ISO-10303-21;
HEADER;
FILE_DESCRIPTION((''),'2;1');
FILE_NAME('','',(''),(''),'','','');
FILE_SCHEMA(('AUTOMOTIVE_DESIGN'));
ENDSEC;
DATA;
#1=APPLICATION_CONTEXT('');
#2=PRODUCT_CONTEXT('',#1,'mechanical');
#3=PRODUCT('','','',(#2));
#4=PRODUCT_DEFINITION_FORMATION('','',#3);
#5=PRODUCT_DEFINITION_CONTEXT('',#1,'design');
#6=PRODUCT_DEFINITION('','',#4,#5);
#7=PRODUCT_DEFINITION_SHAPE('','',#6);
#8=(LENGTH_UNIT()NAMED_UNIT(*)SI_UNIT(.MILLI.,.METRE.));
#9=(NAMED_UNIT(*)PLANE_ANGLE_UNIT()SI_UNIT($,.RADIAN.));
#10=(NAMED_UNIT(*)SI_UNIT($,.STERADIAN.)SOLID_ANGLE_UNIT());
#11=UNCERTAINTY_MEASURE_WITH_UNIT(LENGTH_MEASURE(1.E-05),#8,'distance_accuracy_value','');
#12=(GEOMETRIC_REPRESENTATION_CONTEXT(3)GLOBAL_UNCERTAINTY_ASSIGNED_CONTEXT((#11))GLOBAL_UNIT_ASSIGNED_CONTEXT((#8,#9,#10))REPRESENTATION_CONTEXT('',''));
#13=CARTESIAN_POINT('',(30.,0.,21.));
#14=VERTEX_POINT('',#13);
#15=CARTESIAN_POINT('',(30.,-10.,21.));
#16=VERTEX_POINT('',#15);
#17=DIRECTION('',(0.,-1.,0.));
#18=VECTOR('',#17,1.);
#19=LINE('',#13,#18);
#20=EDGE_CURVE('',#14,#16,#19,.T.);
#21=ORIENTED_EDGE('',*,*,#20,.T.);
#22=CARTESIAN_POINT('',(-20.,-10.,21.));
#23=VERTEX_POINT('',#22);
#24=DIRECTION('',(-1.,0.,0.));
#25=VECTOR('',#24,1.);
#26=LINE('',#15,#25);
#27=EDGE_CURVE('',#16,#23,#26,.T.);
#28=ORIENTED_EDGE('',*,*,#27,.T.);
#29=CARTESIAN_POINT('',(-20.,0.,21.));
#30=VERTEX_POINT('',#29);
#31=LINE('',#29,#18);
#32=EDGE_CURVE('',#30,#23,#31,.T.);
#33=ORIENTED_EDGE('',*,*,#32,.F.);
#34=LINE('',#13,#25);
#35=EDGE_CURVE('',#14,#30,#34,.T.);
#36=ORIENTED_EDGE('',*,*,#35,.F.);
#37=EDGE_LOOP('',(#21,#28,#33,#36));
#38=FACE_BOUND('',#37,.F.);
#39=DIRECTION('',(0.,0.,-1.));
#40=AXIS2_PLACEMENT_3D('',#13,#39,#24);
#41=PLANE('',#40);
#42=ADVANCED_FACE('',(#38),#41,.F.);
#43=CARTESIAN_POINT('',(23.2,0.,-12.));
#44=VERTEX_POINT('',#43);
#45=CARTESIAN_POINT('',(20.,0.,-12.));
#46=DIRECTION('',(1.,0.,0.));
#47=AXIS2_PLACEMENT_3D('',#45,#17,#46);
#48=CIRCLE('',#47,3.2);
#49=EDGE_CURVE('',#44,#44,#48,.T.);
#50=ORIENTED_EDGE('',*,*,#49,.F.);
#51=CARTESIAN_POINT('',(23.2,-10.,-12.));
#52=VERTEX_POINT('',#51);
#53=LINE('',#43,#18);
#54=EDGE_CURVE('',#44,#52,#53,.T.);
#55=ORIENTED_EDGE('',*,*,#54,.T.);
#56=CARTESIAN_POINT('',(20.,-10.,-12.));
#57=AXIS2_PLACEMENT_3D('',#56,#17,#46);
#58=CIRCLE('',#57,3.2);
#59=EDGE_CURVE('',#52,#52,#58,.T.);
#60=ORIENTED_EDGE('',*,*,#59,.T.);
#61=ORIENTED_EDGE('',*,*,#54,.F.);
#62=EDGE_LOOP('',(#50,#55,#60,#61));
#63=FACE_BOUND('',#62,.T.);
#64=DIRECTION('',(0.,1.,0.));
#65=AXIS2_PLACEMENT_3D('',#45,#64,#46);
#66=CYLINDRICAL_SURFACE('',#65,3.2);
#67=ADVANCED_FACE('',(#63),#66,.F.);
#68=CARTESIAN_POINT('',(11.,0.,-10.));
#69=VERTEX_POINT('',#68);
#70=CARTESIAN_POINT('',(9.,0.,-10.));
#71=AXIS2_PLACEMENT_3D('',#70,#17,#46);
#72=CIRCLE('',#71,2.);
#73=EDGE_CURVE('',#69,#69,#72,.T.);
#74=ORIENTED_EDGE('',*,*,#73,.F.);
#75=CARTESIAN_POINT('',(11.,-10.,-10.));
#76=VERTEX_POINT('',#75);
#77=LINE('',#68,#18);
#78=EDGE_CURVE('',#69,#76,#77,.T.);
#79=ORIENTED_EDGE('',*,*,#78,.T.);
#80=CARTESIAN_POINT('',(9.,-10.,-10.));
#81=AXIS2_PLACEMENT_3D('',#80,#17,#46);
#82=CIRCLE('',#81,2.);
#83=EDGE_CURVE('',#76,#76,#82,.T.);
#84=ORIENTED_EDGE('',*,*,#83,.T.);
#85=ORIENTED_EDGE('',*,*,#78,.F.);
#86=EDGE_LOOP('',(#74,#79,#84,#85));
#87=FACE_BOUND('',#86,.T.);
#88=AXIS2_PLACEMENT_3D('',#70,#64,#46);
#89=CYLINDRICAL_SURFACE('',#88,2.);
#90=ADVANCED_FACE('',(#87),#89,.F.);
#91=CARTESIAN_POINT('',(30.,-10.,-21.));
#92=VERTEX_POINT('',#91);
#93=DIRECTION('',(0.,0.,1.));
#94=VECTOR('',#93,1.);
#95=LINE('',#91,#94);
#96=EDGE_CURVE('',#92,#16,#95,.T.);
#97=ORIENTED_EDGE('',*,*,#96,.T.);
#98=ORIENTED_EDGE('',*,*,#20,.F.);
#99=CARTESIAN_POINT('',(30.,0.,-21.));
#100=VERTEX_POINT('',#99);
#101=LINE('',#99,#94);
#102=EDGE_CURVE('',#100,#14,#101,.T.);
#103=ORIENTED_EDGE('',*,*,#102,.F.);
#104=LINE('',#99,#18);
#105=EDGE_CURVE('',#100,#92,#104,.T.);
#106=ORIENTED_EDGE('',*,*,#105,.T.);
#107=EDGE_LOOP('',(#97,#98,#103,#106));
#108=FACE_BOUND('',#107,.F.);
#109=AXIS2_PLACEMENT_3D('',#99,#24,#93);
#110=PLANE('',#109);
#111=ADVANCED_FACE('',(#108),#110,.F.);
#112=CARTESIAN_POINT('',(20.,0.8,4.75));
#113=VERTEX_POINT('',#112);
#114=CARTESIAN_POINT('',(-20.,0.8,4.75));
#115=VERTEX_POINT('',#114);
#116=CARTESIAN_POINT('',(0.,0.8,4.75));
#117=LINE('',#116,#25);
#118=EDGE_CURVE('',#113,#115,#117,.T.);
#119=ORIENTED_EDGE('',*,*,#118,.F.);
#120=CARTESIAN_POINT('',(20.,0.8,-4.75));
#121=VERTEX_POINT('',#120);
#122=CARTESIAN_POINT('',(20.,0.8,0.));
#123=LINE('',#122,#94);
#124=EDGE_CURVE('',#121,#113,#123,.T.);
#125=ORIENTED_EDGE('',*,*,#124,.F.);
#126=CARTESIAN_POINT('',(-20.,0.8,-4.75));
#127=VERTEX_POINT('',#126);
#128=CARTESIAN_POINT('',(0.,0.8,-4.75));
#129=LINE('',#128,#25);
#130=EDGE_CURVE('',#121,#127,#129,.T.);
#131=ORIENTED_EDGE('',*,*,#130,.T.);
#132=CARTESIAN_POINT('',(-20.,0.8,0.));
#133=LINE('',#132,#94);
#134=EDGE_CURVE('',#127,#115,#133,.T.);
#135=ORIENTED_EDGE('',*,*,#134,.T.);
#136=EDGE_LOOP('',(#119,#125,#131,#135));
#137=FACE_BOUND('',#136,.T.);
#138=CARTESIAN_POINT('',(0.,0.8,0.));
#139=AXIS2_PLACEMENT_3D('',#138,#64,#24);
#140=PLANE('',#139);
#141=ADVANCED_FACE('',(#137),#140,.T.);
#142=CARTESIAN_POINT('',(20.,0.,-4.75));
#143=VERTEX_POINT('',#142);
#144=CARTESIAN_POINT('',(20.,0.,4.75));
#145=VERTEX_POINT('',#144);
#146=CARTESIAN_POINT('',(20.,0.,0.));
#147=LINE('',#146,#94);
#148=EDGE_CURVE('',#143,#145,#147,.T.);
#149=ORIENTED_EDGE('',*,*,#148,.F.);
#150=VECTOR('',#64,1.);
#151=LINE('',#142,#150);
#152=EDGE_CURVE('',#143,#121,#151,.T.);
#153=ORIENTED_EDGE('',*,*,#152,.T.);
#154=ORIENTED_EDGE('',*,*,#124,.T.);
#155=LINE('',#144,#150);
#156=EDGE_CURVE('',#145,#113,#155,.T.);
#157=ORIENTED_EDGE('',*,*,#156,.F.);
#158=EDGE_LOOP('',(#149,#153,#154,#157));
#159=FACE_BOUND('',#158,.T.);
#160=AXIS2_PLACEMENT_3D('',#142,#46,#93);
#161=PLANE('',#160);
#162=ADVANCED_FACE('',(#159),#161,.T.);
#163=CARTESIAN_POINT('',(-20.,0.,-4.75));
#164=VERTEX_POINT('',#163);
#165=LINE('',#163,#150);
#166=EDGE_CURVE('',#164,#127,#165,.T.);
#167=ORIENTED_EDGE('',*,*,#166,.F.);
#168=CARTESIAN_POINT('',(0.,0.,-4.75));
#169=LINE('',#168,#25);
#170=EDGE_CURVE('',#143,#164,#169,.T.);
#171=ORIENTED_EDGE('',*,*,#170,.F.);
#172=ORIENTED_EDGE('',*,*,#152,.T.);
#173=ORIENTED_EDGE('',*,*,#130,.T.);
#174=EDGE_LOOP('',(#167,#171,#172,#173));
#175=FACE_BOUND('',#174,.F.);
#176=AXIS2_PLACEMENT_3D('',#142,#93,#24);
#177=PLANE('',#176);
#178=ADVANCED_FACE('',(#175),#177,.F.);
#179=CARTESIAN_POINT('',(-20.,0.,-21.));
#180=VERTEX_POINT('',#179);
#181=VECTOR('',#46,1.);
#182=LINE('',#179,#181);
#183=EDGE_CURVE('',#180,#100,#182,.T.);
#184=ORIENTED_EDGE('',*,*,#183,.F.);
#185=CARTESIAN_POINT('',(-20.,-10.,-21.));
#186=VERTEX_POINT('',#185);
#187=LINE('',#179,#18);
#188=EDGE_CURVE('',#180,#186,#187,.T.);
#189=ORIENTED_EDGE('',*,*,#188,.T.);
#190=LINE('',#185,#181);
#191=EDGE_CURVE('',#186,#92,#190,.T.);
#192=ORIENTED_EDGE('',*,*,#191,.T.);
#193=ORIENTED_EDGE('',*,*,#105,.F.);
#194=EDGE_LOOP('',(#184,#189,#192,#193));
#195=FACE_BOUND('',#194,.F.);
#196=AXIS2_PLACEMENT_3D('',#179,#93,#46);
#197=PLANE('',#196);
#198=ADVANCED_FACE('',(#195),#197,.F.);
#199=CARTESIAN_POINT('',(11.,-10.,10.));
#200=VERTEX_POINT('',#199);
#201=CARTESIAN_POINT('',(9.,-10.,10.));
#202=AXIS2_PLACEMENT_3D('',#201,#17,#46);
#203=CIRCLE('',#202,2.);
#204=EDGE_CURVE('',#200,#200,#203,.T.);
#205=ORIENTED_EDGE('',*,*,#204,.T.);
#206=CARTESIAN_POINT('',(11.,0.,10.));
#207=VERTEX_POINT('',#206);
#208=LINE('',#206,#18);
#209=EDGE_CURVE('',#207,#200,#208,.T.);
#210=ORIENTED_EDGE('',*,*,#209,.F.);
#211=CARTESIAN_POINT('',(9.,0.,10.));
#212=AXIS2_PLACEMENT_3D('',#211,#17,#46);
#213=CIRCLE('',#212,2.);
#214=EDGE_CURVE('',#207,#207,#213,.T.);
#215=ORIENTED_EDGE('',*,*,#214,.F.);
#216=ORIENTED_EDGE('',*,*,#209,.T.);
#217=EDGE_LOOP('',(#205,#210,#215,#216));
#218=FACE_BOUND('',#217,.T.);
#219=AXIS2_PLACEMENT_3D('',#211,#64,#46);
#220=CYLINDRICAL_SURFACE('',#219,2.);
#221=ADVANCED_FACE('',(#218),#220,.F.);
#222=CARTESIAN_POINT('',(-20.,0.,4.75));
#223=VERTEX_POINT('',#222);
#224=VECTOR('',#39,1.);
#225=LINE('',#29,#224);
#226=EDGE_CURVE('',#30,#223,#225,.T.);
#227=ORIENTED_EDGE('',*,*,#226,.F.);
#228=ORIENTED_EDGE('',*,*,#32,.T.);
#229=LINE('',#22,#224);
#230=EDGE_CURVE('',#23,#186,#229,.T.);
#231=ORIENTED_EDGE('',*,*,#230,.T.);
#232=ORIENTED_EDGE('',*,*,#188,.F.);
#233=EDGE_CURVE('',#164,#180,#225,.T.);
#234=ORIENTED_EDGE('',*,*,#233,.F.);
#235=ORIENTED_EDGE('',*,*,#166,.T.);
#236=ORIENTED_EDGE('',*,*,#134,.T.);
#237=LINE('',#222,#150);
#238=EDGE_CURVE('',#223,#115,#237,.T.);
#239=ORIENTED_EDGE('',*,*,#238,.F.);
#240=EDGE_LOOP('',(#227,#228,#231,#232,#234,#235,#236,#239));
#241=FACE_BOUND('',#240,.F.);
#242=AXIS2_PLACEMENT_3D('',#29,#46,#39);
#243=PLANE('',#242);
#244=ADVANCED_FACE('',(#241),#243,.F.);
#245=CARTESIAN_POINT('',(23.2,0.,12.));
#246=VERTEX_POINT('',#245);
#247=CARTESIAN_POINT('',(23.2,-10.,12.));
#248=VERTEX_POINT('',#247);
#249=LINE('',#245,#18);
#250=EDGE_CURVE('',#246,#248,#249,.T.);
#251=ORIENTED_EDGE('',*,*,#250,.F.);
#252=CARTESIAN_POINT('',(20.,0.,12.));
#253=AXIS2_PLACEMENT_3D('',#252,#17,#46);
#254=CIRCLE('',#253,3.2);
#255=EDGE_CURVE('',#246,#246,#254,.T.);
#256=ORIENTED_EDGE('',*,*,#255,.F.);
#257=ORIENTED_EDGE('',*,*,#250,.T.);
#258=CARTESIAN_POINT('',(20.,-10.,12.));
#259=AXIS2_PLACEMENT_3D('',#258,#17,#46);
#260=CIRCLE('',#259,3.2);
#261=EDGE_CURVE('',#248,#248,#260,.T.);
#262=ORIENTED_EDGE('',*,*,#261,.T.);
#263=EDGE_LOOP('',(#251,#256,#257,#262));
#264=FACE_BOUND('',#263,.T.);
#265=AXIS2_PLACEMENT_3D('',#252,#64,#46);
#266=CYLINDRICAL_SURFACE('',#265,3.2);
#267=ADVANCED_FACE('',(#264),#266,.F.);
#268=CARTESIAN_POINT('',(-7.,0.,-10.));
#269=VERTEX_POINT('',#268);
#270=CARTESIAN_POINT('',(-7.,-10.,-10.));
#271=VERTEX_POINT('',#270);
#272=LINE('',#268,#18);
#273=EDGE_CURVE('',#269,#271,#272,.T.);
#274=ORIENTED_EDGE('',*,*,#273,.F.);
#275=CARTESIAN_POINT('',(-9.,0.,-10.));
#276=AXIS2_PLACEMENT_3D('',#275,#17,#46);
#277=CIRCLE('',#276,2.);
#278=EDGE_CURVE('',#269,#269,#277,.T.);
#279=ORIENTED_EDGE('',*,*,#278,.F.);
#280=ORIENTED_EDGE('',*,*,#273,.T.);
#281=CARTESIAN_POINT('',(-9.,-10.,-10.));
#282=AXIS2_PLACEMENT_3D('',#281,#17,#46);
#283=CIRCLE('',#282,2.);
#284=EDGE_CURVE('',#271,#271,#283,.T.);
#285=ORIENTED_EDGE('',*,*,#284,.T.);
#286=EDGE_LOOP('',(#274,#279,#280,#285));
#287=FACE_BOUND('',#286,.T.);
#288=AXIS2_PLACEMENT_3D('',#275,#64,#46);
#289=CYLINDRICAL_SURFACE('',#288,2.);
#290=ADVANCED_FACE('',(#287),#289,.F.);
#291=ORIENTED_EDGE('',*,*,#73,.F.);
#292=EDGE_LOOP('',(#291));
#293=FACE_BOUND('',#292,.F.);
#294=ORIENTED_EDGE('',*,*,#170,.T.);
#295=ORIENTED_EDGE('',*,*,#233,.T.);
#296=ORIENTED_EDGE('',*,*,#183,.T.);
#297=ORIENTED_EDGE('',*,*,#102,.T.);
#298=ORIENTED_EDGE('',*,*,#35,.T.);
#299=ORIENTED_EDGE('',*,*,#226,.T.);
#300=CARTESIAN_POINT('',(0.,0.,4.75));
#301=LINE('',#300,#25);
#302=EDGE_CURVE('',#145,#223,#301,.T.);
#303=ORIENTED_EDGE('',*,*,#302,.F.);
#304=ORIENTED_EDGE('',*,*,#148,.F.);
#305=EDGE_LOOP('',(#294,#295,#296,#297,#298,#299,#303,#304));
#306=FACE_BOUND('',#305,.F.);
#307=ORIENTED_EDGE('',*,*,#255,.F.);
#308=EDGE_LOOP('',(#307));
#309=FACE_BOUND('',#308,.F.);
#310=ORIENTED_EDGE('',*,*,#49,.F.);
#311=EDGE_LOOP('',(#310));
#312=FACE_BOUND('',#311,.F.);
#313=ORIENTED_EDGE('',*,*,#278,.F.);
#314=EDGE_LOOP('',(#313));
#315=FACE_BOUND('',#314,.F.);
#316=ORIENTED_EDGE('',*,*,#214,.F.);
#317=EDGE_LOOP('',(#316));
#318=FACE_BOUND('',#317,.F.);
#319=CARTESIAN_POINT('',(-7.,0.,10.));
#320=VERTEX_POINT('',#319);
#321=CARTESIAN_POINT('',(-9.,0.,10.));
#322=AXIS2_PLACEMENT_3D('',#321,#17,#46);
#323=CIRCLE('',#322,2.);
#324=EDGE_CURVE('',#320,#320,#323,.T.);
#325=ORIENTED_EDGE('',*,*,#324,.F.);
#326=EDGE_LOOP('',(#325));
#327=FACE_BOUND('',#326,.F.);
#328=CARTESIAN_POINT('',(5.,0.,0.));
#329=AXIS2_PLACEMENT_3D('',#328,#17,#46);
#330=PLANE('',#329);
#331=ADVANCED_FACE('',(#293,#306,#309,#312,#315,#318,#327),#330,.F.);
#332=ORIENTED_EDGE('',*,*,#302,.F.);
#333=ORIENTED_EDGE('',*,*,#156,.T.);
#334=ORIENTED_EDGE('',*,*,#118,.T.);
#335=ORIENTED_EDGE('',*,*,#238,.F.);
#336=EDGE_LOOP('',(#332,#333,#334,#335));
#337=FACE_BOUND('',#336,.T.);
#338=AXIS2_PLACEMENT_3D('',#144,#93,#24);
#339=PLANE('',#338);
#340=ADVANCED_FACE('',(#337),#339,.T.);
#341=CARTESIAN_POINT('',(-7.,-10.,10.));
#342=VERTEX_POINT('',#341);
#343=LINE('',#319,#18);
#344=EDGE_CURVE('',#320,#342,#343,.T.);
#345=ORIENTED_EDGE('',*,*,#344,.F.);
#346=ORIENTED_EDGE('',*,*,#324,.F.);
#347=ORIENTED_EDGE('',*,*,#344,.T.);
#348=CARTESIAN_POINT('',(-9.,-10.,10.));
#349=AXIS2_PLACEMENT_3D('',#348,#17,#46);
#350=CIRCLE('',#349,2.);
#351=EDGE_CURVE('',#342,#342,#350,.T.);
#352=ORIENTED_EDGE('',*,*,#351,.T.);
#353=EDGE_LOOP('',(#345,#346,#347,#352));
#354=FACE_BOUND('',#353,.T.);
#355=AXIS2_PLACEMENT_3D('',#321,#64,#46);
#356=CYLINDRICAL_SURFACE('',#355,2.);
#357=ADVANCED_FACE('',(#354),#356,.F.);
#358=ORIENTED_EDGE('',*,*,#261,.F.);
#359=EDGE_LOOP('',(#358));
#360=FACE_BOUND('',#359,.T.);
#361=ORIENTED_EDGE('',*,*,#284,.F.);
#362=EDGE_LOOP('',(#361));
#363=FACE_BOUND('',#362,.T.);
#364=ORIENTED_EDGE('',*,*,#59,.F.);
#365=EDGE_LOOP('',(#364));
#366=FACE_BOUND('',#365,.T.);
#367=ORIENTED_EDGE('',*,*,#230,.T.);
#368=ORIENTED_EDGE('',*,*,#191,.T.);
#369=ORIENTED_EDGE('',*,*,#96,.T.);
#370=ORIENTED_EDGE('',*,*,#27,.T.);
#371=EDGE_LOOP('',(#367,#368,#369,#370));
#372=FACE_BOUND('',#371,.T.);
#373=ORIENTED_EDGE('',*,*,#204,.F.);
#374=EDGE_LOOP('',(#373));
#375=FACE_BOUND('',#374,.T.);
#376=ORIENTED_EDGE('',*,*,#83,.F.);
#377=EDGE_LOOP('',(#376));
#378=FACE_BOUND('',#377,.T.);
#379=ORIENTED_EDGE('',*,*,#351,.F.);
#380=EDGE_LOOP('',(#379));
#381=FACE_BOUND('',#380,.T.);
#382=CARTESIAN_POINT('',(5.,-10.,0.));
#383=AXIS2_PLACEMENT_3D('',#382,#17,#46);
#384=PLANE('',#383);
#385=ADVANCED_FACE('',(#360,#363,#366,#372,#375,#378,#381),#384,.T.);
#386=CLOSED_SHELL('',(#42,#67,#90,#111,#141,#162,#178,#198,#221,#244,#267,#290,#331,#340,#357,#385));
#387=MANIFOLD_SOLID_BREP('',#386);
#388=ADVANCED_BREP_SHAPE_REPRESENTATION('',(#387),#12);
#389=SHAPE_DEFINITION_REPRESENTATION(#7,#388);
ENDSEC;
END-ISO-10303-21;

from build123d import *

# Parameters (mm, degrees)
F0_R     = 3.2
F2_DEPTH = 10
F1_R     = 2
F3_DEPTH = 10
F4_W     = 40
F4_H     = 9.5
F5_DEPTH = 0.8


with BuildPart() as f2:
    # F0 (on Front) → F2 (new body)
    with BuildSketch(Plane.XZ):
        Polygon((-20, -21), (20, -21), (30, -21), (30, 21), (20, 21), (-20, 21), align=None)
        with Locations((20, -12)):
            Circle(F0_R, mode=Mode.SUBTRACT)
        with Locations((20, 12)):
            Circle(F0_R, mode=Mode.SUBTRACT)
    extrude(amount=F2_DEPTH)

    # F1 (on Front) → F3 (cut, through all)
    with BuildSketch(Plane.XZ):
        with Locations((-9, 10)):
            Circle(F1_R)
        with Locations((-9, -10)):
            Circle(F1_R)
        with Locations((9, 10)):
            Circle(F1_R)
        with Locations((9, -10)):
            Circle(F1_R)
    extrude(amount=F3_DEPTH, mode=Mode.SUBTRACT)

    # F4 (on face) → F5 (join)
    with BuildSketch(Plane(origin=(0, 0, 0), x_dir=(-1, 0, 0), z_dir=(0, 1, 0))):
        Rectangle(F4_W, F4_H)
    extrude(amount=F5_DEPTH)


solid = f2.part
